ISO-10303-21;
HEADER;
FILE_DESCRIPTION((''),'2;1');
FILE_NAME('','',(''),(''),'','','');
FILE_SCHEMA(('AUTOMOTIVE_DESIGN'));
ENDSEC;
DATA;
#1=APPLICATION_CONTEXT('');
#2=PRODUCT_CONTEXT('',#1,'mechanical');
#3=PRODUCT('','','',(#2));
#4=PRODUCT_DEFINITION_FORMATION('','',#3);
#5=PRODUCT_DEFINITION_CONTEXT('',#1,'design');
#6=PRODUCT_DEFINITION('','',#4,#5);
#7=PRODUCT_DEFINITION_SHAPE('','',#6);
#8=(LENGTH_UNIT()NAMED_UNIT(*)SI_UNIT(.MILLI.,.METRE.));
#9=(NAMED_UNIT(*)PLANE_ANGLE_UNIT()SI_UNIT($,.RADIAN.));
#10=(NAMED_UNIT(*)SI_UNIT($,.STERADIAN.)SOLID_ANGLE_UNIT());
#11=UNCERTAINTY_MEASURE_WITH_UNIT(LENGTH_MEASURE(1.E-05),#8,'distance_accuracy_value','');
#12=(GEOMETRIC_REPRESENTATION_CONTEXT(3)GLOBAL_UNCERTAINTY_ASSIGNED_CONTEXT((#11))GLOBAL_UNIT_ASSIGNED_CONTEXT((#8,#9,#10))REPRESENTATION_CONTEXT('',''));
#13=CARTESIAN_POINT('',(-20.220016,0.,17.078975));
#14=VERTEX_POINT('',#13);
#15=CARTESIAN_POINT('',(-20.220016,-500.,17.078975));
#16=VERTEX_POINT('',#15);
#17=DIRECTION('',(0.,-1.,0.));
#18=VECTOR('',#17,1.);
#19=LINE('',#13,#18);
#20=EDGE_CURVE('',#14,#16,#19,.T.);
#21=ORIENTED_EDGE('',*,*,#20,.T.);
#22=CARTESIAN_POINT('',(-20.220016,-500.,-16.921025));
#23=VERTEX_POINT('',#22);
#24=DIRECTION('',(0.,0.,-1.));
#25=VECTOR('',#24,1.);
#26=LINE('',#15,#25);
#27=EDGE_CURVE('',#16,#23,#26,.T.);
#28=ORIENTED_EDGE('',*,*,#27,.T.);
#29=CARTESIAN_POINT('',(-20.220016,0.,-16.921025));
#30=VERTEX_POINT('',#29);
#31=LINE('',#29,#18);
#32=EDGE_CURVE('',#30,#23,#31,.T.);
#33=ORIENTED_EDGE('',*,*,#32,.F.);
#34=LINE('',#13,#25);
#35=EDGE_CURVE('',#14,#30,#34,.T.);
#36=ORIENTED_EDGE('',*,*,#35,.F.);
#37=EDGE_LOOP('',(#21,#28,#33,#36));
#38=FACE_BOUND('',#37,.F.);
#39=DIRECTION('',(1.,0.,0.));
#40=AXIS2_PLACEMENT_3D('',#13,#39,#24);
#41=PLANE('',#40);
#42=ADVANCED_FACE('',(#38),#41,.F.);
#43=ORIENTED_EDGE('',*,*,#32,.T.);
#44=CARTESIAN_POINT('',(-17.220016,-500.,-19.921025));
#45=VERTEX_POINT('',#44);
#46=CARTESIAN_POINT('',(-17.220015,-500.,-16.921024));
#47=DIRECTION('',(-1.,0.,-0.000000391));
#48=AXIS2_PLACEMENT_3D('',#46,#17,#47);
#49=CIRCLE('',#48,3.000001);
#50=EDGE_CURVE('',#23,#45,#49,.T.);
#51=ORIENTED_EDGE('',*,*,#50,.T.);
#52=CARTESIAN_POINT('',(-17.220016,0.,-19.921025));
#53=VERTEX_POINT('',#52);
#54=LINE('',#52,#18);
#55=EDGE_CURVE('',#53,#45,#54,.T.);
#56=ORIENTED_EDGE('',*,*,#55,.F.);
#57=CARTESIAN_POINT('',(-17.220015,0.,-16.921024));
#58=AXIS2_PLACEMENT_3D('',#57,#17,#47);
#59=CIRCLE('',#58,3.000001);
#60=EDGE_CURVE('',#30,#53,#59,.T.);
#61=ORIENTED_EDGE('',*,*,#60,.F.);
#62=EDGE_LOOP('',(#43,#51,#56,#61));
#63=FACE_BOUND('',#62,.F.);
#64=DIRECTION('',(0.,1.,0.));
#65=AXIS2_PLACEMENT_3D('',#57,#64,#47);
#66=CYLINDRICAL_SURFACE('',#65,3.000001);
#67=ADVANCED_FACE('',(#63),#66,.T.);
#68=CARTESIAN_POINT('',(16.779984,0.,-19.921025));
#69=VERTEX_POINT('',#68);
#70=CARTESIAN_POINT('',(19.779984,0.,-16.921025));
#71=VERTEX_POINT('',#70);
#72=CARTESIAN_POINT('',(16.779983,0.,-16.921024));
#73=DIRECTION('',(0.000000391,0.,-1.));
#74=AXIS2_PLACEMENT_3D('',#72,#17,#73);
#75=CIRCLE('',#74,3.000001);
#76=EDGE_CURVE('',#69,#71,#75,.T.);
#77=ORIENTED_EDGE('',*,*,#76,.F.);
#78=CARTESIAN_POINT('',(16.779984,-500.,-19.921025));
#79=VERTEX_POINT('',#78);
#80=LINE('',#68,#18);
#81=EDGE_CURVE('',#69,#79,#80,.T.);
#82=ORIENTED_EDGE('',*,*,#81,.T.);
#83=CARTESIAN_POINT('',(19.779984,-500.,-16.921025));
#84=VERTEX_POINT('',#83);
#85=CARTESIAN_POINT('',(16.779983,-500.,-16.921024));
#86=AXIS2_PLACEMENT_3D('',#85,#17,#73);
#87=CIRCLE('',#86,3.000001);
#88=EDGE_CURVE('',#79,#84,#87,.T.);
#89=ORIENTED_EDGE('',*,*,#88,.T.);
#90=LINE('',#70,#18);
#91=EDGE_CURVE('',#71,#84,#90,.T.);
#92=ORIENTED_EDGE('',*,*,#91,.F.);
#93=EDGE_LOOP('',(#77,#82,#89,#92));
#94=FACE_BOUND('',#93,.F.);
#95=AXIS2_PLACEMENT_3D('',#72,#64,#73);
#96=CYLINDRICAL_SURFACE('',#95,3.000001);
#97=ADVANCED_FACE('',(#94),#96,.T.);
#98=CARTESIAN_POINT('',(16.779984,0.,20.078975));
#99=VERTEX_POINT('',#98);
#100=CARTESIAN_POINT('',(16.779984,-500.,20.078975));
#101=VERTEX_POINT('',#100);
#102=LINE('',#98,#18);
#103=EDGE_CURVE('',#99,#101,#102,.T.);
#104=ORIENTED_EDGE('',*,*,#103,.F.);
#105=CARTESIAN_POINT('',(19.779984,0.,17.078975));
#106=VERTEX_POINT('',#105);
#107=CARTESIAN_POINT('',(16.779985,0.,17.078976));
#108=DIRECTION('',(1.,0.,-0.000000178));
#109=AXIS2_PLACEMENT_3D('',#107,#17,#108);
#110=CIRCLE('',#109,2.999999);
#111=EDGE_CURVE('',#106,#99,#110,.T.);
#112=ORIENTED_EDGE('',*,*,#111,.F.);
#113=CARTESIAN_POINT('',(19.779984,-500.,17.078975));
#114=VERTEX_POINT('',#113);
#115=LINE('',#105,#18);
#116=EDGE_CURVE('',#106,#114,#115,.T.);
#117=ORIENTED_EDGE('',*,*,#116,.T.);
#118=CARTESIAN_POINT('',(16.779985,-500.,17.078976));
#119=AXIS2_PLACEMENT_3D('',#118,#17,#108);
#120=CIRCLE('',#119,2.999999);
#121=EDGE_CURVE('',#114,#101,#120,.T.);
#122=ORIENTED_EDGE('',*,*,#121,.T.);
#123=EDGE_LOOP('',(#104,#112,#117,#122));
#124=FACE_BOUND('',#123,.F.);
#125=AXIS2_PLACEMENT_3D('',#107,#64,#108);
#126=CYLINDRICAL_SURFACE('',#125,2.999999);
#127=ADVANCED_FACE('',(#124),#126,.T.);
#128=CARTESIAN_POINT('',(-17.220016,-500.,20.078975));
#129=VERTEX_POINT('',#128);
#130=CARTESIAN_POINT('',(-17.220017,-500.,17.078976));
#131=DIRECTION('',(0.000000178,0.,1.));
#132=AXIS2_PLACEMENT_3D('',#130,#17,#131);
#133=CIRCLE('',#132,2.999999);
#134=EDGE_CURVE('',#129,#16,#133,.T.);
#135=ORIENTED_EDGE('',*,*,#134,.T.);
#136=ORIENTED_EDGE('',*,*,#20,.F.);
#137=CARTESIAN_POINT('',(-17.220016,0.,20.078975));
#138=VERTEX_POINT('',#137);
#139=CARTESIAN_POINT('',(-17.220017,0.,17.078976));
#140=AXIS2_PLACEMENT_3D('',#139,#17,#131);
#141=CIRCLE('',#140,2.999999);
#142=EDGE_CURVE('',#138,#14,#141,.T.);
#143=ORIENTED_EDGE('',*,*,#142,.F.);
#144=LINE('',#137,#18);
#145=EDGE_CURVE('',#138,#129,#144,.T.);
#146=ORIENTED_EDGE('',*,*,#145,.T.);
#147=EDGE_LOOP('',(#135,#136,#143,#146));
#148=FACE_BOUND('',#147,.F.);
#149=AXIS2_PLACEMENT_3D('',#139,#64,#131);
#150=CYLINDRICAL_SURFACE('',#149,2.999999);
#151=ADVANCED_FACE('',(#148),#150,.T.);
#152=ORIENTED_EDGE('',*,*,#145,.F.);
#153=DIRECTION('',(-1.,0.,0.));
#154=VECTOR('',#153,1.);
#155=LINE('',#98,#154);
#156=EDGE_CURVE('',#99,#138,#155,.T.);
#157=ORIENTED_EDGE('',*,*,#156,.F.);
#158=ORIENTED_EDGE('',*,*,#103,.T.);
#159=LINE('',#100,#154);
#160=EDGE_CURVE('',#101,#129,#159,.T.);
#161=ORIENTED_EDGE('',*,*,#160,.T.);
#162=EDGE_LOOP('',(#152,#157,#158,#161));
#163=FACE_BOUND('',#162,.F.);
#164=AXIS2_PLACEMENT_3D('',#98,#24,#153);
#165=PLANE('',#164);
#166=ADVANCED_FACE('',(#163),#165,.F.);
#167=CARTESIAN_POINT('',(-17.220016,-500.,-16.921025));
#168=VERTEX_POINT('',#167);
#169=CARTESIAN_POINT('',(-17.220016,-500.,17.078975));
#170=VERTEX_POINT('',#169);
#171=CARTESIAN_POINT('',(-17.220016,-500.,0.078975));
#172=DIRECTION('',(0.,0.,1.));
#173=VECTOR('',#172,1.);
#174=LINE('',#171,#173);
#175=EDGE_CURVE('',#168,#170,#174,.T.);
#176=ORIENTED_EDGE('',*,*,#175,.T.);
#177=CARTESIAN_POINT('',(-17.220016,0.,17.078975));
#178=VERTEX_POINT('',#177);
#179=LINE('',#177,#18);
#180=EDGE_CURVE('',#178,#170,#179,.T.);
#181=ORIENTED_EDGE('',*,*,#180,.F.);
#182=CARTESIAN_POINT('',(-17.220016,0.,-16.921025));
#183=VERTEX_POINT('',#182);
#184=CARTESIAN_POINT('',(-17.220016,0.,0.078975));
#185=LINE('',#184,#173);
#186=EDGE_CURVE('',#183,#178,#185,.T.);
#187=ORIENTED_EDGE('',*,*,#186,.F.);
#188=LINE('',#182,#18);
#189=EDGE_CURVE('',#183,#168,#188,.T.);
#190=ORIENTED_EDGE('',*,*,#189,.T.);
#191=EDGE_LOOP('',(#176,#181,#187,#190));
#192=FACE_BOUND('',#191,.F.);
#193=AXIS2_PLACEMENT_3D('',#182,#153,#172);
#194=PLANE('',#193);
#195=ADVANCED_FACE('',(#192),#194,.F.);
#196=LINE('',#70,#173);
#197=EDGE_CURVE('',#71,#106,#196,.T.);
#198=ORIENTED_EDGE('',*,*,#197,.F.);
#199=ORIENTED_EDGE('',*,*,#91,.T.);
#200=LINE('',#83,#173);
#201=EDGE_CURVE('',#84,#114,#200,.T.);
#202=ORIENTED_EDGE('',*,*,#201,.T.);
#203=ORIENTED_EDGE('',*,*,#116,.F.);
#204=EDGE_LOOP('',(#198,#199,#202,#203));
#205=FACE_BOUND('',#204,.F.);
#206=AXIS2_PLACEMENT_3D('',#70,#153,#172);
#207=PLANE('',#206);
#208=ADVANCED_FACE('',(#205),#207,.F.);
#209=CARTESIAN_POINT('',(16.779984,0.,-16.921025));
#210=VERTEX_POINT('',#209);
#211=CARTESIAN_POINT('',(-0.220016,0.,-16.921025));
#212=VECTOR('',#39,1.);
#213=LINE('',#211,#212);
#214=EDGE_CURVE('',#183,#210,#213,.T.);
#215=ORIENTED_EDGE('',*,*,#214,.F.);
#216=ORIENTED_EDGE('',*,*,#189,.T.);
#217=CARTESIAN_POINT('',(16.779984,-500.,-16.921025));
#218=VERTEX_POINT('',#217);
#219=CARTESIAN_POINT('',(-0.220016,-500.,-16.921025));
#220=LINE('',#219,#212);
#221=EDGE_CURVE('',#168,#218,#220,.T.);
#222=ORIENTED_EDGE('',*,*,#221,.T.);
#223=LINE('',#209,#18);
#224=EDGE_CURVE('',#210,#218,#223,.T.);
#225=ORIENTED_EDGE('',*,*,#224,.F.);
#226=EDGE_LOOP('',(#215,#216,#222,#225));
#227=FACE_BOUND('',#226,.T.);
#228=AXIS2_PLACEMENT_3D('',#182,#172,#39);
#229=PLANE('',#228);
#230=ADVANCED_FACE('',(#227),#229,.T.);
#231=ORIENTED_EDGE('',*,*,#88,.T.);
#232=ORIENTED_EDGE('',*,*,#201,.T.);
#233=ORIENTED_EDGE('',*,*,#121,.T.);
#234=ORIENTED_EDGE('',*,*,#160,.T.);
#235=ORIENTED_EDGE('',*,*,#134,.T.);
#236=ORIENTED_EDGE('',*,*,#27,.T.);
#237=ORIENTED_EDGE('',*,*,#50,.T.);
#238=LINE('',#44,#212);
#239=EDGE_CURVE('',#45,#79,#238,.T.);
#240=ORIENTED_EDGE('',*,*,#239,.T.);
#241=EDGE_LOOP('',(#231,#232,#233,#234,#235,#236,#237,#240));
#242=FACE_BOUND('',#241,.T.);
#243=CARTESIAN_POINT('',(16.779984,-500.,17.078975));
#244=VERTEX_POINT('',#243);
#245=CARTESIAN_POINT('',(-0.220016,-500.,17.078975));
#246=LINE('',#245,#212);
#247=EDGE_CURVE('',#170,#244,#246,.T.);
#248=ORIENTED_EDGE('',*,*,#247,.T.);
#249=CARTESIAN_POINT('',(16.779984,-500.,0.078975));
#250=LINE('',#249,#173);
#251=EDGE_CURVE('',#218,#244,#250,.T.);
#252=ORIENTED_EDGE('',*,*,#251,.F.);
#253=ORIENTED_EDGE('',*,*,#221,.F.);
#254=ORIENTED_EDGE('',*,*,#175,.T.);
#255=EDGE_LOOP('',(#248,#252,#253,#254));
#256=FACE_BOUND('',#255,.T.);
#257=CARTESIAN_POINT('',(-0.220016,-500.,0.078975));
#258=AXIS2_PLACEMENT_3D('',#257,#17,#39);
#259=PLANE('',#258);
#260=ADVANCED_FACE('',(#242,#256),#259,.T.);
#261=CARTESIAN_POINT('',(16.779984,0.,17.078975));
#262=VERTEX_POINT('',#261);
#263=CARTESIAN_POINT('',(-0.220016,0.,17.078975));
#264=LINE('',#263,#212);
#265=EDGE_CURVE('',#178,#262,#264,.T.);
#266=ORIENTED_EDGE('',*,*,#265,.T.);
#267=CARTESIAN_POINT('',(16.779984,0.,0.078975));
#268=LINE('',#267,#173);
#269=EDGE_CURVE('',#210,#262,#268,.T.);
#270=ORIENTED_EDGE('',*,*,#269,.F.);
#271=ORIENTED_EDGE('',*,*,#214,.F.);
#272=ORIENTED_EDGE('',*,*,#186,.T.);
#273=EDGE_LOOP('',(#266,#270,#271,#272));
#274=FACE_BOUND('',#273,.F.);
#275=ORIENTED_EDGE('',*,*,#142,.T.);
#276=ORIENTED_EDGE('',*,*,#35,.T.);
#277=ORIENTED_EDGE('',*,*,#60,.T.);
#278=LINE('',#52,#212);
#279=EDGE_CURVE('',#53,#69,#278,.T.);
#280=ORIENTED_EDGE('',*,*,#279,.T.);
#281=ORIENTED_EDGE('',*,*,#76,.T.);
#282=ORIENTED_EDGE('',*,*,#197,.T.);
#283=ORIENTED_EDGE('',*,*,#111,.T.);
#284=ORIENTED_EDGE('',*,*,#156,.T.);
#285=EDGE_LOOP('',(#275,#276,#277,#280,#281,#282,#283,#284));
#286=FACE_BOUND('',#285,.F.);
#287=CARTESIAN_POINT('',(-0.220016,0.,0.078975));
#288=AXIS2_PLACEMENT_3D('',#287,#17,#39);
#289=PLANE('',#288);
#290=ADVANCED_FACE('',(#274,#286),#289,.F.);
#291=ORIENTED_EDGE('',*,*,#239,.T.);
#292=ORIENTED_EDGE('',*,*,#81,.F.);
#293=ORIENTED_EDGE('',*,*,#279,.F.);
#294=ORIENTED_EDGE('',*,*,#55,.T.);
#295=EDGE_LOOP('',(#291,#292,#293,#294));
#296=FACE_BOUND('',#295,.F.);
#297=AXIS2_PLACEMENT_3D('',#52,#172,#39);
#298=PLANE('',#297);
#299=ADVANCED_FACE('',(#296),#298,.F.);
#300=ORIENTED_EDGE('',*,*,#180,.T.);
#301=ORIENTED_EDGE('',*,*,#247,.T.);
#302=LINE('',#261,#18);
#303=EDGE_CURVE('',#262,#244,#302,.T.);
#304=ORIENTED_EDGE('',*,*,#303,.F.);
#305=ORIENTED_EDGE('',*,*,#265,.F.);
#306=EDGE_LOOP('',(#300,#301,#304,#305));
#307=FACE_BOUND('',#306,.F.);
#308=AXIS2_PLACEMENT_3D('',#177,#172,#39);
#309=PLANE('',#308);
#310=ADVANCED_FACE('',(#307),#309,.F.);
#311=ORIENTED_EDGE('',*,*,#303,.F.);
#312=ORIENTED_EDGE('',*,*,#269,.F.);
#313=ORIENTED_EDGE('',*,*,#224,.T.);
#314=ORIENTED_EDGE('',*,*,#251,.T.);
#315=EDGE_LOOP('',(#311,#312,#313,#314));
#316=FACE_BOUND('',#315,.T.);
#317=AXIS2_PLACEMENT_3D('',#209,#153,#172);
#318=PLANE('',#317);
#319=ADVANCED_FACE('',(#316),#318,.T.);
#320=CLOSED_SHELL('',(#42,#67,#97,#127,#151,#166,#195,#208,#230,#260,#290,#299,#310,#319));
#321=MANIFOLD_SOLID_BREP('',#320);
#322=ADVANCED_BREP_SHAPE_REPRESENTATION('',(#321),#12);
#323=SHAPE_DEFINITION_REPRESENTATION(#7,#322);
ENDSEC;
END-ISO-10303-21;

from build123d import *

# Parameters (mm, degrees)
F0_W     = 34
F0_H     = 34
F1_DEPTH = 500


with BuildPart() as f1:
    # F0 (on Front) → F1 (new body)
    with BuildSketch(Plane.XZ):
        with BuildLine():
            ThreePointArc((19.779984, 17.078975), (18.901304, 19.200296), (16.779984, 20.078975))
            Line((16.779984, 20.078975), (-17.220016, 20.078975))
            ThreePointArc((-17.220016, 20.078975), (-19.341336, 19.200296), (-20.220016, 17.078975))
            Line((-20.220016, 17.078975), (-20.220016, -16.921025))
            ThreePointArc((-20.220016, -16.921025), (-19.341336, -19.042345), (-17.220016, -19.921025))
            Line((-17.220016, -19.921025), (16.779984, -19.921025))
            ThreePointArc((16.779984, -19.921025), (18.901304, -19.042345), (19.779984, -16.921025))
            Line((19.779984, -16.921025), (19.779984, 17.078975))
        make_face()
        with Locations((-0.220016, 0.078975)):
            Rectangle(F0_W, F0_H, mode=Mode.SUBTRACT)
    extrude(amount=F1_DEPTH)


solid = f1.part
